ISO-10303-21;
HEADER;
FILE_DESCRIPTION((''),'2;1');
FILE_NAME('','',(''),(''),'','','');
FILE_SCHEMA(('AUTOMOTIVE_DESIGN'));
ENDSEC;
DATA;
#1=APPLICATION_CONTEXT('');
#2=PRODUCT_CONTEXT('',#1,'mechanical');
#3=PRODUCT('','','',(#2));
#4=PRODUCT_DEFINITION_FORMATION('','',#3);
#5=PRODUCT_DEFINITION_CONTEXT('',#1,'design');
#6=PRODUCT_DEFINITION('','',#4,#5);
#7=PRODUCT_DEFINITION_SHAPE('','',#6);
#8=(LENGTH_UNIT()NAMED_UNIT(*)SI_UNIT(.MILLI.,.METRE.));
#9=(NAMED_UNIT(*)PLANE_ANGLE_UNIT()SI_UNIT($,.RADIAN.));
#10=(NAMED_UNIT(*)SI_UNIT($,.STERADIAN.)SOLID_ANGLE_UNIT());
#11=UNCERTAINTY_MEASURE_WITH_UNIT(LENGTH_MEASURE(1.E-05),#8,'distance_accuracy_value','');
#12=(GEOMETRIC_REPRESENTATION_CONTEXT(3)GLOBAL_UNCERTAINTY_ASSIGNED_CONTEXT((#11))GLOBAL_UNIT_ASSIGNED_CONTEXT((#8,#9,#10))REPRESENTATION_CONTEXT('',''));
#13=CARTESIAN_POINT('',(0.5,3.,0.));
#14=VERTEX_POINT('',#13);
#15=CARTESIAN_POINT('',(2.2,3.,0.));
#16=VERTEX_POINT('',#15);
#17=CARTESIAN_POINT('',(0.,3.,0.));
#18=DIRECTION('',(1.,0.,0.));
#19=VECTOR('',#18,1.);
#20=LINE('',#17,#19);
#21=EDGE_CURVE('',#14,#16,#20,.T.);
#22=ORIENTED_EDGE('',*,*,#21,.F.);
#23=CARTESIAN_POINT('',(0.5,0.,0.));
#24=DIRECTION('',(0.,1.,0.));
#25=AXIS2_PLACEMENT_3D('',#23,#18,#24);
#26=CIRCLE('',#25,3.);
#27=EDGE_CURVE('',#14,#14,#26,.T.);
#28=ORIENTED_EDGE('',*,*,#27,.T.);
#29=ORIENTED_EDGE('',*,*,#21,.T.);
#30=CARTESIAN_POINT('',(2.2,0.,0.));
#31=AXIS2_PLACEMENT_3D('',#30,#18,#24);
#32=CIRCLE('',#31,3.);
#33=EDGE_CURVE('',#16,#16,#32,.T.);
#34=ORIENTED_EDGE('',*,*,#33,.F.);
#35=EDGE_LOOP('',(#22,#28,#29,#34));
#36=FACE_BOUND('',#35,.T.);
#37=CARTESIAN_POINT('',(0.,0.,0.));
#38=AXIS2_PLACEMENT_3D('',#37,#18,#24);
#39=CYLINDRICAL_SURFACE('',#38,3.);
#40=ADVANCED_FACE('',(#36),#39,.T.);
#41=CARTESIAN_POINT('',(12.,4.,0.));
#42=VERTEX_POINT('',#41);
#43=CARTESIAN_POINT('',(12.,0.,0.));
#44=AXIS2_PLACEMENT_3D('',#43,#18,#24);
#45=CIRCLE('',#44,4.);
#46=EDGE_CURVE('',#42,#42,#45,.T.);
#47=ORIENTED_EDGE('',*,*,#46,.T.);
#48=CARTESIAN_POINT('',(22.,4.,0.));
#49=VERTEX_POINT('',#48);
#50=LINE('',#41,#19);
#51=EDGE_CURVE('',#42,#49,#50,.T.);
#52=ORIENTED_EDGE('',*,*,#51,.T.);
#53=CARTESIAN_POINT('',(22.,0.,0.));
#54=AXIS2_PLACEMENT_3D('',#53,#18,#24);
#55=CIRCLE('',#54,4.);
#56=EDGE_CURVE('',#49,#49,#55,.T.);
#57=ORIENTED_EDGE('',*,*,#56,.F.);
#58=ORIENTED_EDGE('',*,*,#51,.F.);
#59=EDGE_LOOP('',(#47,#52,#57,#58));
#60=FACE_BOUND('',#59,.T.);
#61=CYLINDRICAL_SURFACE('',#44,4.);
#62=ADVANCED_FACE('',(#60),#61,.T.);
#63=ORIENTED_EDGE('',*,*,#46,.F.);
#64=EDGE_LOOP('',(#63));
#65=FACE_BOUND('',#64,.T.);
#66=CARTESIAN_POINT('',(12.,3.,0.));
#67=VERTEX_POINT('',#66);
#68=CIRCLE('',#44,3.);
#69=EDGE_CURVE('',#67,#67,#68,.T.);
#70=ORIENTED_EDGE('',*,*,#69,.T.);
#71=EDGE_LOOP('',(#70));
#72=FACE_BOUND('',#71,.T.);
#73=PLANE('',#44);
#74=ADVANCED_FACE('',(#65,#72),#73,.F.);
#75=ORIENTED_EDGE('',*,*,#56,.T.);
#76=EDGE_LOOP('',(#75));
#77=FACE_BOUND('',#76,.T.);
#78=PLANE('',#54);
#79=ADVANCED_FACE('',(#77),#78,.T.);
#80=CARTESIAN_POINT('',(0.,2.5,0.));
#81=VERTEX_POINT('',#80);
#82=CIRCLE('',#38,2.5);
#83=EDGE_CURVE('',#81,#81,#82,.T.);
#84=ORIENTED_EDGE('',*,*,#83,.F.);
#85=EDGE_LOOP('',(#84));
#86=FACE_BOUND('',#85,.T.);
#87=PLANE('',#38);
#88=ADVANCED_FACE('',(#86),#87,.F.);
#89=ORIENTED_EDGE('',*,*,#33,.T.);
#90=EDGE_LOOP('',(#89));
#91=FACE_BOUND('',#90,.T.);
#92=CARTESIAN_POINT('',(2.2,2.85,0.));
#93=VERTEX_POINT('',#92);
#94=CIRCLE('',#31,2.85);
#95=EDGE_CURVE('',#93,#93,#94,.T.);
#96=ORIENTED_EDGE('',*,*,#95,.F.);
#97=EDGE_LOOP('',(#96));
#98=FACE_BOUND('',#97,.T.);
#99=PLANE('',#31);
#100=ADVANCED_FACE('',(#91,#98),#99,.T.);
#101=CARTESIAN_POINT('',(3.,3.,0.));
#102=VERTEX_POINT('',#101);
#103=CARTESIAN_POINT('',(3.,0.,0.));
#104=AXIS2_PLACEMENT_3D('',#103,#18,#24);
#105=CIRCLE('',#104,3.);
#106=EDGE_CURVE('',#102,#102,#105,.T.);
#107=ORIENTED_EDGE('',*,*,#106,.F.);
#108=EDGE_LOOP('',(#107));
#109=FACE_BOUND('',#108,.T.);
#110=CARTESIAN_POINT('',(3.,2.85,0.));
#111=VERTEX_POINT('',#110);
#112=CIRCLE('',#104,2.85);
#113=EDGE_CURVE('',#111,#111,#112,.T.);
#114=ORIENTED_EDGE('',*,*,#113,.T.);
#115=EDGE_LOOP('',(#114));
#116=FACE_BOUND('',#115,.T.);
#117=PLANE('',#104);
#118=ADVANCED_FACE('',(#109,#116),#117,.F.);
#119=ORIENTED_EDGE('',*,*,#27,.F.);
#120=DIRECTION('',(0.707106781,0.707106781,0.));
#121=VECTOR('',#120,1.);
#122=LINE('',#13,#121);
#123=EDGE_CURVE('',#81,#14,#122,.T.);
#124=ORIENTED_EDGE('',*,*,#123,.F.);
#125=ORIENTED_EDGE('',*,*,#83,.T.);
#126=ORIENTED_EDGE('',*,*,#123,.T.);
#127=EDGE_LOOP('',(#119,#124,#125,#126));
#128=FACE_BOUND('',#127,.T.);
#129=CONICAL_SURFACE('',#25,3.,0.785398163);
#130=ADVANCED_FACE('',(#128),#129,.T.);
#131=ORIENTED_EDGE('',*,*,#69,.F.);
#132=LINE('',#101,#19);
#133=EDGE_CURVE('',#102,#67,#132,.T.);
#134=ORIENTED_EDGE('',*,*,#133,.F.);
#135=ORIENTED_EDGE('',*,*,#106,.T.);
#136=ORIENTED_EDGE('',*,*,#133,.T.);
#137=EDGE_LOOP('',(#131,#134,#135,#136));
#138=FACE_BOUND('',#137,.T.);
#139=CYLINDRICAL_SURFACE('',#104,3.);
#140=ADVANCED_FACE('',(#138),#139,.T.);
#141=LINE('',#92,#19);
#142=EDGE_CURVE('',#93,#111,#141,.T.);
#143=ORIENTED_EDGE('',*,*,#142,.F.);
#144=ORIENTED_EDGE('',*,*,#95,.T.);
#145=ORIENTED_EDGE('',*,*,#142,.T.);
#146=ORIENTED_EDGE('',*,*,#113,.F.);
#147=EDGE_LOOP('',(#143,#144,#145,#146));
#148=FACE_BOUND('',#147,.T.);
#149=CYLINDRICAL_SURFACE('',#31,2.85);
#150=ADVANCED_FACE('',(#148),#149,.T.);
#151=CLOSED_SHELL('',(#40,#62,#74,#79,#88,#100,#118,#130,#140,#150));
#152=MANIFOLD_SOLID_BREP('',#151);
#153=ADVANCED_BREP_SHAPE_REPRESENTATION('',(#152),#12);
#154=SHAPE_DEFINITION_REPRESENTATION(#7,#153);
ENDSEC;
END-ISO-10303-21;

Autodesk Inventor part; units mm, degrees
ref_plane "YZ Plane" through (0, 0, 0) normal (1, 0, 0) x (0, 1, 0)
ref_plane "XZ Plane" through (0, 0, 0) normal (0, 1, 0) x (-1, 0, 0)
ref_plane "XY Plane" through (0, 0, 0) normal (0, 0, 1) x (1, 0, 0)
sketch "Skizze1" plane through (0, 0, 0) normal (0, 0, 1) x (1, 0, 0)
  line L0 (0, 0) -> (22, 0)
  line L1 (0, 0) -> (0, 3)
  line L2 (0, 3) -> (2.2, 3)
  line L3 (2.2, 3) -> (2.2, 2.85)
  line L4 (2.2, 2.85) -> (3, 2.85)
  line L5 (3, 2.85) -> (3, 3)
  line L6 (3, 3) -> (12, 3)
  line L7 (12, 3) -> (12, 4)
  line L8 (12, 4) -> (22, 4)
  line L9 (22, 4) -> (22, 0)
  dimension "d0" = 22
  dimension "d1" = 10
  dimension "d2" = 9
  dimension "d3" = 0.8
  dimension "d4" = 8
  dimension "d5" = 6
  dimension "d6" = 5.7
revolve "Umdrehung1" add sketch "Skizze1" angle 360 about axis through (0, 0, 0) along (1, 0, 0)
chamfer "Fasen1" distance 0.5 angle 45 1 edges at (0, -3, 0)
properties part number "Bolt_Acht_Durchmesser" material "Aluminium 6061"
